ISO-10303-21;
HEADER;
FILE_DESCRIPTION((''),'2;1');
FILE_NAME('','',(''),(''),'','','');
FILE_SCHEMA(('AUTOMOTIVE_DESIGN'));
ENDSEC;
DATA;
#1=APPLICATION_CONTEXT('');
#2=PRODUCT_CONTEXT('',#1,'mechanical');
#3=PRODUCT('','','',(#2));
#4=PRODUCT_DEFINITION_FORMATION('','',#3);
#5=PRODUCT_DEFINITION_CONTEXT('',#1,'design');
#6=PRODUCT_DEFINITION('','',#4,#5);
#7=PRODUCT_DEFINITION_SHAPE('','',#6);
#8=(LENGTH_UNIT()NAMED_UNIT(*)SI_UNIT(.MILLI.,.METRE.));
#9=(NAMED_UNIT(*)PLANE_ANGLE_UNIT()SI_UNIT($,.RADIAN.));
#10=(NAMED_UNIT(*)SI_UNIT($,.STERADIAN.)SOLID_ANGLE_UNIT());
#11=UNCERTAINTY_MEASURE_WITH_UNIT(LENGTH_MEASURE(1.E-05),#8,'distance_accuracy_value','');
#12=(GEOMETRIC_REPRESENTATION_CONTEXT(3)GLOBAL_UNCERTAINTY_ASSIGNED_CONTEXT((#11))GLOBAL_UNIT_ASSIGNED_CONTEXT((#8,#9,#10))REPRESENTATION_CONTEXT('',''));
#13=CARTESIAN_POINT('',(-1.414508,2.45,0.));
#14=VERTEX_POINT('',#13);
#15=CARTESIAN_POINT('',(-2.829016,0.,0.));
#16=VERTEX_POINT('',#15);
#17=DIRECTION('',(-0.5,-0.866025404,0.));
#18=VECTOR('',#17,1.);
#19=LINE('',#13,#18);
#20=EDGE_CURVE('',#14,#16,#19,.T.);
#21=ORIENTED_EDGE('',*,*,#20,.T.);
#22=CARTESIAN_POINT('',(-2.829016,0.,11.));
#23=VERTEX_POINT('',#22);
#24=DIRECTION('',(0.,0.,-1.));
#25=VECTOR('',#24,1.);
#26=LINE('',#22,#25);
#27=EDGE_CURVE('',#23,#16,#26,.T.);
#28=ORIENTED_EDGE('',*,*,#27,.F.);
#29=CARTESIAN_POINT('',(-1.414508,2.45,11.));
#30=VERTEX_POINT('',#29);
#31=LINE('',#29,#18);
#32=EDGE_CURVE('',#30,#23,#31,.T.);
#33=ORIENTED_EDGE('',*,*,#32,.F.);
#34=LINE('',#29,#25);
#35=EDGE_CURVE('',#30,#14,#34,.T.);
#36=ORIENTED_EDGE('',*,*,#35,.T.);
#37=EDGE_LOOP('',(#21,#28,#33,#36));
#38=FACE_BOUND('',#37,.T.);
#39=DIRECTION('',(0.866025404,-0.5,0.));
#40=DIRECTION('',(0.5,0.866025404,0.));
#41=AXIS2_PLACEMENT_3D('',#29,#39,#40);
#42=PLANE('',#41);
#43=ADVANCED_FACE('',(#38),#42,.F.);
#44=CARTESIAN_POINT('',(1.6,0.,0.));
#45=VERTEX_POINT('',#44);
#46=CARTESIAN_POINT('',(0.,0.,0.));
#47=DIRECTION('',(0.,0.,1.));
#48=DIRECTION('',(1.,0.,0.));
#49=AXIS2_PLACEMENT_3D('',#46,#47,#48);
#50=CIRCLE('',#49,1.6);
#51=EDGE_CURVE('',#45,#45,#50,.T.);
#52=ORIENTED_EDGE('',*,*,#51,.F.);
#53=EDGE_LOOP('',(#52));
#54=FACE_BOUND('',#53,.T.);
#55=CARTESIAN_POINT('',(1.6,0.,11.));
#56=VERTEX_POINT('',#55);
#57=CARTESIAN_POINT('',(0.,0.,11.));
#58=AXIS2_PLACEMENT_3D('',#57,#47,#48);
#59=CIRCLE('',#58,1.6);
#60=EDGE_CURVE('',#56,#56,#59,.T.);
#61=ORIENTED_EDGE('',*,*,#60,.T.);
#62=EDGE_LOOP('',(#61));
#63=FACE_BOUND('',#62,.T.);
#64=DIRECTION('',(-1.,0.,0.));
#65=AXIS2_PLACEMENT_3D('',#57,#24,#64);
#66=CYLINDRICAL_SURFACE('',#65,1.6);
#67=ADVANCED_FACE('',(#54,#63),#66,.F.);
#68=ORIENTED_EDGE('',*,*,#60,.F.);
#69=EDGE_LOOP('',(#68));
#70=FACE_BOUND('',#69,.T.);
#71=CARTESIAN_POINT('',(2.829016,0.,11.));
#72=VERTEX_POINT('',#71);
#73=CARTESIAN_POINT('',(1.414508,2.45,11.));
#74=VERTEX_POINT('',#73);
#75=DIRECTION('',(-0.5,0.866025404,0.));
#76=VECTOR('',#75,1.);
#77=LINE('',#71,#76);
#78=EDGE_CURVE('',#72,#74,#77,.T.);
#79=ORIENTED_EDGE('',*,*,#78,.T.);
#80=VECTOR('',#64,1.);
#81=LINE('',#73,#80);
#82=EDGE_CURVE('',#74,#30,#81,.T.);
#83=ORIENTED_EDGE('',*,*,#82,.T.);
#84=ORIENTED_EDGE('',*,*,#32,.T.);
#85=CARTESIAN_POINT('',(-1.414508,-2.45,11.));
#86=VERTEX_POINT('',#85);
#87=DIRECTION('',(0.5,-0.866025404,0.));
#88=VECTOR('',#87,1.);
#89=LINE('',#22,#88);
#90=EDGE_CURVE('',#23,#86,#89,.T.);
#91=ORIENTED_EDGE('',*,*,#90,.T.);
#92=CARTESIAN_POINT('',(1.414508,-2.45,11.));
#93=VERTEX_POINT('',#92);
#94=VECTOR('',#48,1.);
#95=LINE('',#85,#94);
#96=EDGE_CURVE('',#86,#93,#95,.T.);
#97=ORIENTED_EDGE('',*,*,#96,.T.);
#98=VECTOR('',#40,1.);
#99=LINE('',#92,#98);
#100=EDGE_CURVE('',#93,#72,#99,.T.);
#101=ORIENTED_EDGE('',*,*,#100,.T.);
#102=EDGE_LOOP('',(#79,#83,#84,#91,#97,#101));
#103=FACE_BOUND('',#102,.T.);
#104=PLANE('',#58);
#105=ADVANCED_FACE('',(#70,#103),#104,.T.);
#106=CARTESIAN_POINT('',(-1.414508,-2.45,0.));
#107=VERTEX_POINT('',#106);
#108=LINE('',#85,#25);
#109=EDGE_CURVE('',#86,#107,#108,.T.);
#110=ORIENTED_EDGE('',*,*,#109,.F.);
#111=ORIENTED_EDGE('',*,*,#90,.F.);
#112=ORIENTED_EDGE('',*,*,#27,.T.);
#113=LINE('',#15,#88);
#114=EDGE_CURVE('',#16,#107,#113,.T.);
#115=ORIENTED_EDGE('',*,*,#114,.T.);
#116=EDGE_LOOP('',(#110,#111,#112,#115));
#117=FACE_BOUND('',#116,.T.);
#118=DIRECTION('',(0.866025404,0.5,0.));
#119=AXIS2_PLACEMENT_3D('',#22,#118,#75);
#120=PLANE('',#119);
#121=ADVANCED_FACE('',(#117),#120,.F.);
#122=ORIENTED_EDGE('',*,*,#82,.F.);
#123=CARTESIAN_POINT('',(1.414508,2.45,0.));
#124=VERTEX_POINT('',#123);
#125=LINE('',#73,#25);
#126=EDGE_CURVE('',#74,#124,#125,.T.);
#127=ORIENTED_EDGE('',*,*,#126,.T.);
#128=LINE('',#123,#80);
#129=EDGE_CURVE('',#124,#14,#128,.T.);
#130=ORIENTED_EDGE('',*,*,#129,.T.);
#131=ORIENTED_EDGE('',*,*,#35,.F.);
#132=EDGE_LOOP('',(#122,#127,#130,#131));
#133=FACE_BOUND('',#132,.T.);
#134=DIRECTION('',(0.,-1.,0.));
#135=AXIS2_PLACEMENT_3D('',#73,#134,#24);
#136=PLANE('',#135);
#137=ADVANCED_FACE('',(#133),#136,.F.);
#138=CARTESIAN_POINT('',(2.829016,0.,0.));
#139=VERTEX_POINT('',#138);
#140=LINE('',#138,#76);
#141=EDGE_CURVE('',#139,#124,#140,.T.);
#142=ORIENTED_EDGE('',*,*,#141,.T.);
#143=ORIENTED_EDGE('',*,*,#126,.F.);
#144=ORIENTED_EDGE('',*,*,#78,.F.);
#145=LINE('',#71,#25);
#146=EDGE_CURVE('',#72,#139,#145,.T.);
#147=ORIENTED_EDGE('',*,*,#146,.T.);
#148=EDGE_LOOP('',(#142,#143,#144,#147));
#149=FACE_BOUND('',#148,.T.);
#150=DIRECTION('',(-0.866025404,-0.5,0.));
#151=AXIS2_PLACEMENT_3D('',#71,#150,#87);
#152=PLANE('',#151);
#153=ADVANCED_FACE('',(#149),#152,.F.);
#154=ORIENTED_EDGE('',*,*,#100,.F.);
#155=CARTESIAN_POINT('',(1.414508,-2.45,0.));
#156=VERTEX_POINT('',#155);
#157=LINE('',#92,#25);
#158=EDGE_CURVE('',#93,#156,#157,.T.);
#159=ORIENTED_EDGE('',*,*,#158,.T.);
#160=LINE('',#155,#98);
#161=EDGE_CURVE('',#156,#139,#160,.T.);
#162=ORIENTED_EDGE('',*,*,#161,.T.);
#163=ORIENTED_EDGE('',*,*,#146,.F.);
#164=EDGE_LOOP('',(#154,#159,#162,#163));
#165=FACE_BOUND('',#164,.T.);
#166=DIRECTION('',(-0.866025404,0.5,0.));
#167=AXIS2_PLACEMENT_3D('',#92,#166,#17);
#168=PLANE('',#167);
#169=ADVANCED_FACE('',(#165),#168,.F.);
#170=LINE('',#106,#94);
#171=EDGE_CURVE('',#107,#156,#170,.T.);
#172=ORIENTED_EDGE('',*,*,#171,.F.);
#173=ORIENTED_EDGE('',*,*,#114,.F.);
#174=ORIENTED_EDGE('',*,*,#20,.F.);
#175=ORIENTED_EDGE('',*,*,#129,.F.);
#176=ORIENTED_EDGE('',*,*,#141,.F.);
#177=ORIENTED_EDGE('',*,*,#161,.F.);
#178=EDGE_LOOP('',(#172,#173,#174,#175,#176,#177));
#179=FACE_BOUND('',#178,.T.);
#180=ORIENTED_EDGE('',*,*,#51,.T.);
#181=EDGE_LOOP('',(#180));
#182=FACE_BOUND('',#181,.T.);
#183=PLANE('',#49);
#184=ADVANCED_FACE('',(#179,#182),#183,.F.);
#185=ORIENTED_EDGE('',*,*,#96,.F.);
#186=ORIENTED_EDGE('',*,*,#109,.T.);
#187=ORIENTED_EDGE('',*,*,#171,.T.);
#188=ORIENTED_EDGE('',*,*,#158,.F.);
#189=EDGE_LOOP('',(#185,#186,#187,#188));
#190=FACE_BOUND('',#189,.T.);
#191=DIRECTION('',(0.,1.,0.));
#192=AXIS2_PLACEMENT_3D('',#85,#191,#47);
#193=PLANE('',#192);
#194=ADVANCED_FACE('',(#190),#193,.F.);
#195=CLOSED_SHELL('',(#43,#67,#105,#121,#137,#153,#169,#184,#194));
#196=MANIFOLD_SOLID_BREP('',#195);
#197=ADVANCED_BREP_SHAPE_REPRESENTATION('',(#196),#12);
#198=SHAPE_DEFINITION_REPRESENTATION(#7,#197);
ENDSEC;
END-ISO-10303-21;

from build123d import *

# Parameters (mm, degrees)
SKETCH_1_R      = 1.6
EXTRUDE_1_DEPTH = 11


with BuildPart() as part:
    # 草图1 → 凸台-拉伸1 (new body)
    with BuildSketch(Plane.XY):
        Polygon((2.829016319, 0), (1.41450816, 2.45), (-1.41450816, 2.45), (-2.829016319, 0), (-1.41450816, -2.45), (1.41450816, -2.45), align=None)
        Circle(SKETCH_1_R, mode=Mode.SUBTRACT)
    extrude(amount=EXTRUDE_1_DEPTH)


solid = part.part
